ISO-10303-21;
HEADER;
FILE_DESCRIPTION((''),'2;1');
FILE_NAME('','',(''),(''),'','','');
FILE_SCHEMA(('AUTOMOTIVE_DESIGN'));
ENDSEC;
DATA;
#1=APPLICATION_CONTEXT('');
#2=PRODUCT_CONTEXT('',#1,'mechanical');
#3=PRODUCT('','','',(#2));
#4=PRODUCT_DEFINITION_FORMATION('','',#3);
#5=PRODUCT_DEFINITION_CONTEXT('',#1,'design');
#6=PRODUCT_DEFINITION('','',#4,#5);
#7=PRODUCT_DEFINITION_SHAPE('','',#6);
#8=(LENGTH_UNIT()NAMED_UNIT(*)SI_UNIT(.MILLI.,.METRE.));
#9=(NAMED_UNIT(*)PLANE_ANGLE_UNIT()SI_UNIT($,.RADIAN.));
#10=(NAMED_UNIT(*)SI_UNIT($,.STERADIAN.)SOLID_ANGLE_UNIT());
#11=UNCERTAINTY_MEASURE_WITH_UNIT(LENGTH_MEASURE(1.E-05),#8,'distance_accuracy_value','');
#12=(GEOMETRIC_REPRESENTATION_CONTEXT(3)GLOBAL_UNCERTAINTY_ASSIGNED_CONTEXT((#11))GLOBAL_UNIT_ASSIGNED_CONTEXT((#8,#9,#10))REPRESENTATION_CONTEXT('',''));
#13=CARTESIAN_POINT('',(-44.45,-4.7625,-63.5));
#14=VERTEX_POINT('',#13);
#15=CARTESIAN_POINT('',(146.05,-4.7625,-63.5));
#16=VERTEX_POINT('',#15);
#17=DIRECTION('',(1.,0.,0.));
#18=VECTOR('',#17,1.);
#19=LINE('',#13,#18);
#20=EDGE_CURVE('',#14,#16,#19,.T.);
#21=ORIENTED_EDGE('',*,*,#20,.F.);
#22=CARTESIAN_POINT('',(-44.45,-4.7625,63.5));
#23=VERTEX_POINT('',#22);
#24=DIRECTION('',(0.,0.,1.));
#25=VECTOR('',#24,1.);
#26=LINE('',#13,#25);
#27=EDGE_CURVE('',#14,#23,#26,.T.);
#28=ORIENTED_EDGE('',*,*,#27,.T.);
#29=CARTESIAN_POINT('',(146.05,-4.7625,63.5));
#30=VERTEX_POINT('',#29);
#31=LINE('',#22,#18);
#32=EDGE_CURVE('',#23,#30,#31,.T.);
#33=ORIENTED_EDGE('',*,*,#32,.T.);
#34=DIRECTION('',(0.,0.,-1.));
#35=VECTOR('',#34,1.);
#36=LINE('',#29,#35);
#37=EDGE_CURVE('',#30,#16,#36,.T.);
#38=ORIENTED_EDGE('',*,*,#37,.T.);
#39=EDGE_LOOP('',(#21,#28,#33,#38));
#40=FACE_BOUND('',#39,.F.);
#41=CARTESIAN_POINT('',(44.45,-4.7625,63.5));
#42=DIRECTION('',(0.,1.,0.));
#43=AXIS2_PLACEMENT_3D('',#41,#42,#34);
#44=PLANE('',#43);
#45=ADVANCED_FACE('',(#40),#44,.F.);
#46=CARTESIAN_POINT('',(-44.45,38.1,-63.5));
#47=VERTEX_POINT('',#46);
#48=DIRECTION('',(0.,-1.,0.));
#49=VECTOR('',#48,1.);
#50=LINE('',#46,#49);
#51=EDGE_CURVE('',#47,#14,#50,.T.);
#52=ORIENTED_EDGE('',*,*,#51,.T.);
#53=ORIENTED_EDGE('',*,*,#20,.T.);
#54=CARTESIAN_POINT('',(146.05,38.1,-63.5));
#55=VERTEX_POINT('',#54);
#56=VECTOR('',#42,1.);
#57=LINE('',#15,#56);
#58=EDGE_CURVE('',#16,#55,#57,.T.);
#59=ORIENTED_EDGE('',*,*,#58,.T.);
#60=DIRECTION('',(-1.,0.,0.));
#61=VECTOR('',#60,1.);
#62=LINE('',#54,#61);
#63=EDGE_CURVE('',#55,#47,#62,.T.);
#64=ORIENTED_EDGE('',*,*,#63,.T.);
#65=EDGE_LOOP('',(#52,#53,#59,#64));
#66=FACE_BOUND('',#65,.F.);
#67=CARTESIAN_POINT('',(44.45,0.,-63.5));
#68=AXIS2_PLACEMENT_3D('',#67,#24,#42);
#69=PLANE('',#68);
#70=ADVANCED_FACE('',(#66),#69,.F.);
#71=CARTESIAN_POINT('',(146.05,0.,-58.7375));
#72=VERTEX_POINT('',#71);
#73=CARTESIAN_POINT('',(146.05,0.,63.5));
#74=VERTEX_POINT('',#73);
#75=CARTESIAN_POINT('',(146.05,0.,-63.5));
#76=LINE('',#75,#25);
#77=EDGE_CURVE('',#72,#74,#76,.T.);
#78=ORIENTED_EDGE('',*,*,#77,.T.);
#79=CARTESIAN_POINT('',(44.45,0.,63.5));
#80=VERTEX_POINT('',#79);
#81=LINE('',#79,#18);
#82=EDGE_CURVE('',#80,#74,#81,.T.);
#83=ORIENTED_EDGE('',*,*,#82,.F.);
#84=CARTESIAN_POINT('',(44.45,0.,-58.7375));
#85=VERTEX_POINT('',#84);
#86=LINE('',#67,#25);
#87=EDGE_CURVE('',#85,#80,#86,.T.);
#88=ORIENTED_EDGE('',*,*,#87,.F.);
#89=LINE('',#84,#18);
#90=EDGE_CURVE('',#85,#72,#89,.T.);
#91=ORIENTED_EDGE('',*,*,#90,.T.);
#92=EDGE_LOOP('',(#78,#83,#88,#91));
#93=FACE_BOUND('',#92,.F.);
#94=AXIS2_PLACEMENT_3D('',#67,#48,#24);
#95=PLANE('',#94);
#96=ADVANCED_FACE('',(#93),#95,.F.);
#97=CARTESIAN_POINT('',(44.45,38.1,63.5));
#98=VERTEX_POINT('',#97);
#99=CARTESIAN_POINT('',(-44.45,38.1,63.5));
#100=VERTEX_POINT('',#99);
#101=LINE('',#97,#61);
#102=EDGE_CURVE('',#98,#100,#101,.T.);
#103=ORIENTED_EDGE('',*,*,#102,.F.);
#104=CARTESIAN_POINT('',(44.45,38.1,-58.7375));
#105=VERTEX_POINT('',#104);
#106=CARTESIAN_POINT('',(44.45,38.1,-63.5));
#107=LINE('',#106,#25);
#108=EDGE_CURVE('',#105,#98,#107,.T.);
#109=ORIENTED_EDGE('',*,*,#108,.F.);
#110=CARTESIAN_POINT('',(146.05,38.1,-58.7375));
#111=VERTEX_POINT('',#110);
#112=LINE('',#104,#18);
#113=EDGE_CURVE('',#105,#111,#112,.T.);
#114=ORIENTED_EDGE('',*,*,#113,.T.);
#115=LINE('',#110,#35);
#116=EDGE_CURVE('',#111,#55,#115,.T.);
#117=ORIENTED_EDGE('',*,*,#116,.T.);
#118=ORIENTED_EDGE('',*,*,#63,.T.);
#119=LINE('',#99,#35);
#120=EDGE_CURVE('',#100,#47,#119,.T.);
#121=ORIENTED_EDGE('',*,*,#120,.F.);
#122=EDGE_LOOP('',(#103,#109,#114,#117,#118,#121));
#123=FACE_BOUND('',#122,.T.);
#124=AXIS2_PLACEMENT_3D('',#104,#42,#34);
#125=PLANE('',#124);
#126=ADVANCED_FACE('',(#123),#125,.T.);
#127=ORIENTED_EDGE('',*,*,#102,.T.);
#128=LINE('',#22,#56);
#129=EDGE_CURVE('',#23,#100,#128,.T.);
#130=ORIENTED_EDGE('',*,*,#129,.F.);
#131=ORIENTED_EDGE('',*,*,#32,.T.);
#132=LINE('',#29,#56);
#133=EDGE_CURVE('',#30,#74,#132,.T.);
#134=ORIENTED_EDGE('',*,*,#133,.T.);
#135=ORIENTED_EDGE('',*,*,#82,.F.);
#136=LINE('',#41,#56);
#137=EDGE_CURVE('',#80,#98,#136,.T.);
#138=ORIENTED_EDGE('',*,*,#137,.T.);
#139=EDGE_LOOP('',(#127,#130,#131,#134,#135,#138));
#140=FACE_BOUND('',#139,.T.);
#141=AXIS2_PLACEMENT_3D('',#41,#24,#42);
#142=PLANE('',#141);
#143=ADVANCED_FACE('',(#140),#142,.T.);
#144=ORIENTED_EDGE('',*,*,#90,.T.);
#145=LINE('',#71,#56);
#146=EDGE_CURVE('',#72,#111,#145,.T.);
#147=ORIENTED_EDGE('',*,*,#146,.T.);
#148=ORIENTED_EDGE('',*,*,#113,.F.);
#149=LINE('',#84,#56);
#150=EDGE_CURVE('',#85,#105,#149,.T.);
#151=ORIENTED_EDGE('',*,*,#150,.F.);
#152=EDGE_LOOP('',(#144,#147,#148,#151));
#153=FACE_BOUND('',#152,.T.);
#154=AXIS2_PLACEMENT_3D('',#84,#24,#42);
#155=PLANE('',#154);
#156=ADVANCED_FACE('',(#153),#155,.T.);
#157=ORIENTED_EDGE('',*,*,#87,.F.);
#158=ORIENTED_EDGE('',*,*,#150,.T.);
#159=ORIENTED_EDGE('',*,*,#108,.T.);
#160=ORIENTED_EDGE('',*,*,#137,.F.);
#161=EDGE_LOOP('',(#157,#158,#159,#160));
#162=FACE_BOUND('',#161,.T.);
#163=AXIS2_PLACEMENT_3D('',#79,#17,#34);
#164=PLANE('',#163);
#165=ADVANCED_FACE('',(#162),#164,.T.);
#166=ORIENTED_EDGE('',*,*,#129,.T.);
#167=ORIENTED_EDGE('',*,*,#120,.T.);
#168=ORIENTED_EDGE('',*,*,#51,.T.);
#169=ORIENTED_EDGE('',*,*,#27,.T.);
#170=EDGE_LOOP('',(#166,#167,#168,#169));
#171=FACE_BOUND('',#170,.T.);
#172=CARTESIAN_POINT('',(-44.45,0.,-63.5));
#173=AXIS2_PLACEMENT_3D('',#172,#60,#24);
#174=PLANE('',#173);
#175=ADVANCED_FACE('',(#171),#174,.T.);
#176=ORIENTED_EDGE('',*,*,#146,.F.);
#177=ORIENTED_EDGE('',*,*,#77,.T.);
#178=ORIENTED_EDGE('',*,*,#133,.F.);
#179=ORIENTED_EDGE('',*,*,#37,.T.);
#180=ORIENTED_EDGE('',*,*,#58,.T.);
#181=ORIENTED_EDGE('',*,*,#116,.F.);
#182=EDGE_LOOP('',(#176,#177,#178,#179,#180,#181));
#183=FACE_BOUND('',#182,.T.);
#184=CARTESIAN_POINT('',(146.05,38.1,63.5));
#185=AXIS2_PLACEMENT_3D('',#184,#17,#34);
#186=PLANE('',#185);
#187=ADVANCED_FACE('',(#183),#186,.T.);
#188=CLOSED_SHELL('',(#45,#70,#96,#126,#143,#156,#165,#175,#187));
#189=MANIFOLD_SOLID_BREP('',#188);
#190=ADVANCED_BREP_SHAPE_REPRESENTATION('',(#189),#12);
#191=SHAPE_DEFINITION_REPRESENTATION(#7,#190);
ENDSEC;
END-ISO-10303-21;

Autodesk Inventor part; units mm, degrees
ref_plane "YZ Plane" through (0, 0, 0) normal (1, 0, 0) x (0, 1, 0)
ref_plane "XZ Plane" through (0, 0, 0) normal (0, 1, 0) x (-1, 0, 0)
ref_plane "XY Plane" through (0, 0, 0) normal (0, 0, 1) x (1, 0, 0)
sketch "Sketch2" plane through (0, 0, 0) normal (0, 1, 0) x (-1, 0, 0)
  line L0 (44.45, 63.5) -> (-44.45, 63.5)
  line L1 (-44.45, 63.5) -> (-44.45, -63.5)
  line L2 (-44.45, -63.5) -> (44.45, -63.5)
  line L3 (44.45, -63.5) -> (44.45, 63.5)
  line L4 (44.45, 63.5) -> (-44.45, -63.5) construction
  line L5 (-44.45, 63.5) -> (44.45, -63.5) construction
  point P0 (0, 0)
  dimension "d0" = 127
  dimension "d1" = 88.9
extrude "Extrusion1" add sketch "Sketch2" against normal blind 4.7625
sketch "Sketch4" plane through (0, 0, 0) normal (0, 1, 0) x (1, 0, 0)
  line L0 (-44.45, -63.5) -> (-44.45, 63.5) projected
  line L1 (44.45, 63.5) -> (44.45, -63.5) projected
  line L2 (-44.45, 63.5) -> (44.45, 63.5)
  line L3 (44.45, 63.5) -> (44.45, 58.7375)
  line L4 (44.45, 58.7375) -> (-44.45, 58.7375)
  line L5 (-44.45, 58.7375) -> (-44.45, 63.5)
  point P0 (0, 0)
  point P1 (-44.45, 58.7375)
  dimension "d4" = 4.7625
extrude "Extrusion2" add sketch "Sketch4" along normal blind 38.1
sketch "Sketch5" plane through (0, 0, 0) normal (0, 1, 0) x (1, 0, 0)
  line L0 (44.45, -63.5) -> (-44.45, -63.5) projected
  line L1 (-44.45, 58.7375) -> (44.45, 58.7375) projected
  line L2 (-44.45, -63.5) -> (-41.275, -63.5)
  line L3 (-41.275, -63.5) -> (-41.275, 58.7375)
  line L4 (-44.45, 58.7375) -> (-44.45, -63.5)
  line L5 (44.45, 63.5) -> (44.45, -63.5) projected
  line L6 (44.45, -63.5) -> (41.275, -63.5)
  line L7 (-44.45, 58.7375) -> (-44.45, -63.5) projected
  line L8 (-44.45, -63.5) -> (-44.45, 63.5) projected
  line L9 (-44.45, 58.7375) -> (-44.45, 63.5)
  line L10 (-44.45, 63.5) -> (-41.275, 63.5)
  line L11 (-44.45, 63.5) -> (44.45, 63.5) projected
  line L12 (-41.275, 58.7375) -> (-41.275, 63.5)
  line L13 (44.45, 58.7375) -> (-44.45, 58.7375) projected
  point P0 (0, 0)
  point P1 (-44.45, 58.7375)
  point P2 (41.275, 63.5)
  dimension "d7" = 3.175
extrude "Extrusion3" add sketch "Sketch5" along normal blind 38.1
sketch "Sketch6" plane through (0, 0, 0) normal (0, 1, 0) x (1, 0, 0)
  line L0 (-41.275, -63.5) -> (41.275, -63.5) projected
  line L1 (-41.275, 58.7375) -> (41.275, 58.7375) projected
  line L2 (-22.225, -63.5) -> (-19.05, -63.5)
  line L3 (-19.05, -63.5) -> (-19.05, 58.7375)
  line L4 (-19.05, 58.7375) -> (-22.225, 58.7375)
  line L5 (-22.225, 58.7375) -> (-22.225, -63.5)
  line L6 (0, -63.5) -> (3.175, -63.5)
  line L7 (3.175, -63.5) -> (3.175, 58.7375)
  line L8 (3.175, 58.7375) -> (0, 58.7375)
  line L9 (0, 58.7375) -> (0, -63.5)
  line L10 (15.875, -63.5) -> (19.05, -63.5)
  line L11 (19.05, -63.5) -> (19.05, 58.7375)
  line L12 (19.05, 58.7375) -> (15.875, 58.7375)
  line L13 (15.875, 58.7375) -> (15.875, -63.5)
  line L14 (-41.275, -63.5) -> (-41.275, 58.7375) projected
  point P0 (0, 0)
  point P1 (15.875, -63.5)
  point P2 (19.05, -63.5)
  point P3 (19.05, 58.7375)
  point P4 (0, 58.7375)
  point P5 (0, -63.5)
  point P6 (3.175, -63.5)
  dimension "d11" = 3.175
  dimension "d12" = 3.175
  dimension "d13" = 3.175
  dimension "d49" = 19.05
  dimension "d50" = 19.05
  dimension "d51" = 12.7
extrude "Extrusion4" add sketch "Sketch6" along normal blind 38.1 contours L5 L1 L3 L0 | L9 L1 L7 L0 | L13 L1 L11 L0
sketch "Sketch9" plane through (44.45, -4.7625, 63.5) normal (1, 0, 0) x (0, 0, -1)
  line L0 (0, 0) -> (0, 42.8625) projected
  line L1 (127, 0) -> (127, 42.8625) projected
  line L2 (0, 0) -> (127, 0)
  line L3 (127, 0) -> (127, 4.7625)
  line L4 (127, 4.7625) -> (0, 4.7625)
  line L5 (0, 4.7625) -> (0, 0)
  point P0 (63.5, 4.7625)
  dimension "d37" = 4.7625
extrude "Extrusion5" add sketch "Sketch9" along normal blind 101.6
sketch "Sketch10" plane through (44.45, 38.1, 63.5) normal (1, 0, 0) x (0, 0, -1)
  line L0 (127, -38.1) -> (127, 0) projected
  line L1 (122.2375, 0) -> (0, 0) projected
  line L2 (127, -38.1) -> (122.2375, -38.1)
  line L3 (122.2375, -38.1) -> (122.2375, 0)
  line L4 (122.2375, 0) -> (127, 0)
  line L5 (127, 0) -> (127, -38.1)
  point P0 (63.5, -38.1)
extrude "Extrusion6" add sketch "Sketch10" along normal blind 101.6
equation "\"d0\" = depth"
equation "\"d1\" = width"
equation "\"d2\" = baseThickness"
equation "\"d4\" = backThickness"
equation "\"d5\" = backHeight"
equation "\"d7\" = edgeThickness"
equation "\"d9\" = edgeHeight"
equation "\"d11\" = dividerThickness"
equation "\"d12\" = dividerThickness"
equation "\"d13\" = dividerThickness"
equation "\"d19\" = dividerHeight"
equation "\"d37\" = baseThickness"
equation "\"d38\" = waterShelfWidth"
equation "\"d40\" = waterShelfWidth"
equation "\"baseThickness\" = 4.7625"
equation "\"width\" = 88.9"
equation "\"depth\" = 127"
equation "\"backHeight\" = 38.1"
equation "\"backThickness\" = 4.7625"
equation "\"edgeThickness\" = 3.175"
equation "\"edgeHeight\" = 38.1"
equation "\"dividerThickness\" = 3.175"
equation "\"dividerHeight\" = 38.1"
equation "\"waterShelfWidth\" = 101.6"
properties part number "shelfForElectronicsV01"
